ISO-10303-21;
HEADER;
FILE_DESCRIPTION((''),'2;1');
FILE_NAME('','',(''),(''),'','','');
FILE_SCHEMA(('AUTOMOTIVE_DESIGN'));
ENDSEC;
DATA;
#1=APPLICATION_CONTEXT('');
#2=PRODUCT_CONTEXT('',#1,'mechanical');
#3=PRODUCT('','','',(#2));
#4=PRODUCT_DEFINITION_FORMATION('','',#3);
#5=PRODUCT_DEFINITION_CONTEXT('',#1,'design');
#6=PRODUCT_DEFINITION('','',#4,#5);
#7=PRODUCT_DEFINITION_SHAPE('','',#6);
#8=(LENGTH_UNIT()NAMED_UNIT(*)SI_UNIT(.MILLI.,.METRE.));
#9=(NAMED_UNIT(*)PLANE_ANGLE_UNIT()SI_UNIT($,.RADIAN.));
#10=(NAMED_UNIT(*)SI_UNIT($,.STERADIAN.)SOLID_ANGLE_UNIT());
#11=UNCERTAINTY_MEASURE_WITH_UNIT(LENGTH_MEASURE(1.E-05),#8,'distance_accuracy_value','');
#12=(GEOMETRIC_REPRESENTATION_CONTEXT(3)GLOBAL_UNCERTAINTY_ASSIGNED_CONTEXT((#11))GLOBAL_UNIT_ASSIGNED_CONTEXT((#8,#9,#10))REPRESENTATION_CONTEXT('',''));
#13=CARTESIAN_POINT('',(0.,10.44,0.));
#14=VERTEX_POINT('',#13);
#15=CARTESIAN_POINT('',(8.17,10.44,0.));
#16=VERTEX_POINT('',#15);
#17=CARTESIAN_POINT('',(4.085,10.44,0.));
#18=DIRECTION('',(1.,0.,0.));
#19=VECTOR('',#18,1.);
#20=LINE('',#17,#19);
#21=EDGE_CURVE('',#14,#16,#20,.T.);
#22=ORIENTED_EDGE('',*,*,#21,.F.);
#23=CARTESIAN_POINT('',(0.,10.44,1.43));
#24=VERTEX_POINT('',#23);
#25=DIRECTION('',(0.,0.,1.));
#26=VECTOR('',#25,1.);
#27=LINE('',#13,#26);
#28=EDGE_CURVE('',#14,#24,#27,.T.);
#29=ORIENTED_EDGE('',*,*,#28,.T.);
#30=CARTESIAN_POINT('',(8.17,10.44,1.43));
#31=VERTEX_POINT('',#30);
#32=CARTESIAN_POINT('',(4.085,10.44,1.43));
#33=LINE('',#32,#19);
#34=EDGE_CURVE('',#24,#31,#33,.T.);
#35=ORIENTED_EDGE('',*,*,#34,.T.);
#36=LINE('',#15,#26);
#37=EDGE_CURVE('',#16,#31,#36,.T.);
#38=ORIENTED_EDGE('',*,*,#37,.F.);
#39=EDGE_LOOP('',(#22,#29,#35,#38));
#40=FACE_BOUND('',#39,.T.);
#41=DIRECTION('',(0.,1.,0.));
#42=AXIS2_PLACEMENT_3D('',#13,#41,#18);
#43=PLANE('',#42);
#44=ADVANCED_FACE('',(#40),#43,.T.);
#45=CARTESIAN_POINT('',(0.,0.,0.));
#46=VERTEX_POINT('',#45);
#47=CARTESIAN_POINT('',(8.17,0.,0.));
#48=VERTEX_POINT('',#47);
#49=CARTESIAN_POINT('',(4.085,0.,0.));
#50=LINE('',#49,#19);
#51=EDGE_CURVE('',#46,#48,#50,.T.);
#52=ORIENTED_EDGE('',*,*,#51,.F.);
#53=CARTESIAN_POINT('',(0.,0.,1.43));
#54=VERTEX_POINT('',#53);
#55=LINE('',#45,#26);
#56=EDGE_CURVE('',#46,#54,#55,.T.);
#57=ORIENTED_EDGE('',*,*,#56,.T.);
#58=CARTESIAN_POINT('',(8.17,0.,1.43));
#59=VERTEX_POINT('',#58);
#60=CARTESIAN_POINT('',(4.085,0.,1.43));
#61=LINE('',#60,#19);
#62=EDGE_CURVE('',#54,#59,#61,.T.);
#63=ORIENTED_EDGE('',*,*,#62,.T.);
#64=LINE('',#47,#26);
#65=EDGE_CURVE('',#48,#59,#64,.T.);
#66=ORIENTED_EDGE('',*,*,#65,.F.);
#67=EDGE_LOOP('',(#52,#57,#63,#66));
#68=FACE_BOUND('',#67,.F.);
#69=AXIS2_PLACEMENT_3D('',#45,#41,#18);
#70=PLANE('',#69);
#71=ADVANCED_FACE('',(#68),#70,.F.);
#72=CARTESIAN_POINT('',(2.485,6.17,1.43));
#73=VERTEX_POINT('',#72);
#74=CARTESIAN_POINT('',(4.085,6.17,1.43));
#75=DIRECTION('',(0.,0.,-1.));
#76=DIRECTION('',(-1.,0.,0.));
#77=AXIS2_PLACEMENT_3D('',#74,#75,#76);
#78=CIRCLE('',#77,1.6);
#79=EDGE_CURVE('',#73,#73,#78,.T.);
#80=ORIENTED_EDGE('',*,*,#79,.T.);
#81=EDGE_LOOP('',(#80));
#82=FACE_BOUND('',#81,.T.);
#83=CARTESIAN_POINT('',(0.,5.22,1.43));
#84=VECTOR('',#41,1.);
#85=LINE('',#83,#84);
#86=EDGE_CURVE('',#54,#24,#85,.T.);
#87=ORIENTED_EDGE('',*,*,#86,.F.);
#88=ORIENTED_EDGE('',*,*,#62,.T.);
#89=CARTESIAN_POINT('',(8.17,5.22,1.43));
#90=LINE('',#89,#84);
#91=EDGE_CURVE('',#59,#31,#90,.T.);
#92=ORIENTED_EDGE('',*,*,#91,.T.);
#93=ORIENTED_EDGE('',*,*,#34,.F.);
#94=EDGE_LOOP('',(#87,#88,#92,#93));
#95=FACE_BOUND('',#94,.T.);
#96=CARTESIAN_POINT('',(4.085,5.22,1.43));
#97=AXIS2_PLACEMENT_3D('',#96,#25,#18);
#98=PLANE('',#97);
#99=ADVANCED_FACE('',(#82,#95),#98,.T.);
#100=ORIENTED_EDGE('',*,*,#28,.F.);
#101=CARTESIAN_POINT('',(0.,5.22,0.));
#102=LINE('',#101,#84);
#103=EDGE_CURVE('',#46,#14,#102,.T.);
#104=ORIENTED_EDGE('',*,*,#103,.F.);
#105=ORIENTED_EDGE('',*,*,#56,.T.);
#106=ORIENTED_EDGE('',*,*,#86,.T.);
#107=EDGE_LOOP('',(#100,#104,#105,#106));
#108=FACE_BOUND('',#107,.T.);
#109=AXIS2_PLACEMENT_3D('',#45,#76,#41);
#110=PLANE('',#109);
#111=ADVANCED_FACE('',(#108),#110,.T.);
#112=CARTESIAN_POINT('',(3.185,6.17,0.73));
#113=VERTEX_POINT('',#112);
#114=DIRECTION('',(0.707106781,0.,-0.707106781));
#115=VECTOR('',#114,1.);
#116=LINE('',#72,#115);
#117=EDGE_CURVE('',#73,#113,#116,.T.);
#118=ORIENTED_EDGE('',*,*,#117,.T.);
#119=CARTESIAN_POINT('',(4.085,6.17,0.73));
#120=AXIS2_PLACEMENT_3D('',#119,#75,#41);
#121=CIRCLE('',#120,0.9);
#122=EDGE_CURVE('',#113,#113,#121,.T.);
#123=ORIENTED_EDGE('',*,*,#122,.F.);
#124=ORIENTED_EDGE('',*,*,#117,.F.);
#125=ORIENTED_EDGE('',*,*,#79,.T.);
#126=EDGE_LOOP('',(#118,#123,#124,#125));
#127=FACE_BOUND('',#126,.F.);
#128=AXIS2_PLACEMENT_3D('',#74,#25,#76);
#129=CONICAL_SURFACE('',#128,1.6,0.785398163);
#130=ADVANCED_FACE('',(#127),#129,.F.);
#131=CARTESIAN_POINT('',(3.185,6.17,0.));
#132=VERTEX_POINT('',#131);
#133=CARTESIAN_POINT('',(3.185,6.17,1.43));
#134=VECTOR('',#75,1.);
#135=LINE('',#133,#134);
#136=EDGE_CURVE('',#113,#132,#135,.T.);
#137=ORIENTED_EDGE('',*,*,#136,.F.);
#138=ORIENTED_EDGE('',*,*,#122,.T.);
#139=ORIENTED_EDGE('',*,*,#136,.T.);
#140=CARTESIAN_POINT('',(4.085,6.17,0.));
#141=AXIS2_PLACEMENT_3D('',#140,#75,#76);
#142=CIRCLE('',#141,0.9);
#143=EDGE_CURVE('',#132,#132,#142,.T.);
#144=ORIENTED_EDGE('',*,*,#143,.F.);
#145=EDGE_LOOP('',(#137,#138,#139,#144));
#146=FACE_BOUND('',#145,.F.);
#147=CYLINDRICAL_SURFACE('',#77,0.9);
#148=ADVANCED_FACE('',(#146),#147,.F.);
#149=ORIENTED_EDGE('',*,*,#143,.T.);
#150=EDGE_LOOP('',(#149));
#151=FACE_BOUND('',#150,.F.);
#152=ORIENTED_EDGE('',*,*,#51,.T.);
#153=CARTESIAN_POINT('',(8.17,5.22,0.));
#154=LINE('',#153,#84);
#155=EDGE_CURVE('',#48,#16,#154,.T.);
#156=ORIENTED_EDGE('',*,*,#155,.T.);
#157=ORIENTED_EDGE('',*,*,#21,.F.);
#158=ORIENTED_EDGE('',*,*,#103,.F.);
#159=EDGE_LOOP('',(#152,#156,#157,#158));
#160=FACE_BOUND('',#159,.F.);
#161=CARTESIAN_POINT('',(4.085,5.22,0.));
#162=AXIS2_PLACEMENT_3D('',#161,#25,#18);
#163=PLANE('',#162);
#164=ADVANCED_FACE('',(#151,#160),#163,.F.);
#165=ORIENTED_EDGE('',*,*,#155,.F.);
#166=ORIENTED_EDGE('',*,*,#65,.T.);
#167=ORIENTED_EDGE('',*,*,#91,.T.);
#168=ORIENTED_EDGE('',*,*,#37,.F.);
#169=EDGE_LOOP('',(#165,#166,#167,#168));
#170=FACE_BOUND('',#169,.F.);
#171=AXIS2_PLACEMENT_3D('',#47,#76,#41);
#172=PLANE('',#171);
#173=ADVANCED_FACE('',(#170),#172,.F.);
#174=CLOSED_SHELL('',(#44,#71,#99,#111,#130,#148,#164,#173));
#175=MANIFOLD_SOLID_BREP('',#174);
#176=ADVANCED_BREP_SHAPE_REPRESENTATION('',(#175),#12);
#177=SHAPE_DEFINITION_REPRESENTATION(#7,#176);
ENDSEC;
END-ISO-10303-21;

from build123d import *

# Parameters (mm, degrees)
F0_W           = 8.17
F0_H           = 10.44
F1_DEPTH       = 1.43
F3_D           = 1.8
F3_DEPTH       = 4
F3_CSINK_D     = 3.2
F3_CSINK_ANGLE = 90
F3_TIP         = 0.5407745571


with BuildPart() as f1:
    # F0 (on Top) → F1 (new body)
    with BuildSketch(Plane.XY):
        with Locations((4.085, 5.22)):
            Rectangle(F0_W, F0_H)
    extrude(amount=F1_DEPTH)

    # F3
    with Locations(Plane.XY.offset(1.43)):
        with Locations((4.085, 6.17)):
            CounterSinkHole(F3_D / 2, F3_CSINK_D / 2, depth=F3_DEPTH, counter_sink_angle=F3_CSINK_ANGLE)
            with Locations((0, 0, -(F3_DEPTH + F3_TIP / 2))):  # 118° drill point
                Cone(0, F3_D / 2, F3_TIP, mode=Mode.SUBTRACT)


solid = f1.part
